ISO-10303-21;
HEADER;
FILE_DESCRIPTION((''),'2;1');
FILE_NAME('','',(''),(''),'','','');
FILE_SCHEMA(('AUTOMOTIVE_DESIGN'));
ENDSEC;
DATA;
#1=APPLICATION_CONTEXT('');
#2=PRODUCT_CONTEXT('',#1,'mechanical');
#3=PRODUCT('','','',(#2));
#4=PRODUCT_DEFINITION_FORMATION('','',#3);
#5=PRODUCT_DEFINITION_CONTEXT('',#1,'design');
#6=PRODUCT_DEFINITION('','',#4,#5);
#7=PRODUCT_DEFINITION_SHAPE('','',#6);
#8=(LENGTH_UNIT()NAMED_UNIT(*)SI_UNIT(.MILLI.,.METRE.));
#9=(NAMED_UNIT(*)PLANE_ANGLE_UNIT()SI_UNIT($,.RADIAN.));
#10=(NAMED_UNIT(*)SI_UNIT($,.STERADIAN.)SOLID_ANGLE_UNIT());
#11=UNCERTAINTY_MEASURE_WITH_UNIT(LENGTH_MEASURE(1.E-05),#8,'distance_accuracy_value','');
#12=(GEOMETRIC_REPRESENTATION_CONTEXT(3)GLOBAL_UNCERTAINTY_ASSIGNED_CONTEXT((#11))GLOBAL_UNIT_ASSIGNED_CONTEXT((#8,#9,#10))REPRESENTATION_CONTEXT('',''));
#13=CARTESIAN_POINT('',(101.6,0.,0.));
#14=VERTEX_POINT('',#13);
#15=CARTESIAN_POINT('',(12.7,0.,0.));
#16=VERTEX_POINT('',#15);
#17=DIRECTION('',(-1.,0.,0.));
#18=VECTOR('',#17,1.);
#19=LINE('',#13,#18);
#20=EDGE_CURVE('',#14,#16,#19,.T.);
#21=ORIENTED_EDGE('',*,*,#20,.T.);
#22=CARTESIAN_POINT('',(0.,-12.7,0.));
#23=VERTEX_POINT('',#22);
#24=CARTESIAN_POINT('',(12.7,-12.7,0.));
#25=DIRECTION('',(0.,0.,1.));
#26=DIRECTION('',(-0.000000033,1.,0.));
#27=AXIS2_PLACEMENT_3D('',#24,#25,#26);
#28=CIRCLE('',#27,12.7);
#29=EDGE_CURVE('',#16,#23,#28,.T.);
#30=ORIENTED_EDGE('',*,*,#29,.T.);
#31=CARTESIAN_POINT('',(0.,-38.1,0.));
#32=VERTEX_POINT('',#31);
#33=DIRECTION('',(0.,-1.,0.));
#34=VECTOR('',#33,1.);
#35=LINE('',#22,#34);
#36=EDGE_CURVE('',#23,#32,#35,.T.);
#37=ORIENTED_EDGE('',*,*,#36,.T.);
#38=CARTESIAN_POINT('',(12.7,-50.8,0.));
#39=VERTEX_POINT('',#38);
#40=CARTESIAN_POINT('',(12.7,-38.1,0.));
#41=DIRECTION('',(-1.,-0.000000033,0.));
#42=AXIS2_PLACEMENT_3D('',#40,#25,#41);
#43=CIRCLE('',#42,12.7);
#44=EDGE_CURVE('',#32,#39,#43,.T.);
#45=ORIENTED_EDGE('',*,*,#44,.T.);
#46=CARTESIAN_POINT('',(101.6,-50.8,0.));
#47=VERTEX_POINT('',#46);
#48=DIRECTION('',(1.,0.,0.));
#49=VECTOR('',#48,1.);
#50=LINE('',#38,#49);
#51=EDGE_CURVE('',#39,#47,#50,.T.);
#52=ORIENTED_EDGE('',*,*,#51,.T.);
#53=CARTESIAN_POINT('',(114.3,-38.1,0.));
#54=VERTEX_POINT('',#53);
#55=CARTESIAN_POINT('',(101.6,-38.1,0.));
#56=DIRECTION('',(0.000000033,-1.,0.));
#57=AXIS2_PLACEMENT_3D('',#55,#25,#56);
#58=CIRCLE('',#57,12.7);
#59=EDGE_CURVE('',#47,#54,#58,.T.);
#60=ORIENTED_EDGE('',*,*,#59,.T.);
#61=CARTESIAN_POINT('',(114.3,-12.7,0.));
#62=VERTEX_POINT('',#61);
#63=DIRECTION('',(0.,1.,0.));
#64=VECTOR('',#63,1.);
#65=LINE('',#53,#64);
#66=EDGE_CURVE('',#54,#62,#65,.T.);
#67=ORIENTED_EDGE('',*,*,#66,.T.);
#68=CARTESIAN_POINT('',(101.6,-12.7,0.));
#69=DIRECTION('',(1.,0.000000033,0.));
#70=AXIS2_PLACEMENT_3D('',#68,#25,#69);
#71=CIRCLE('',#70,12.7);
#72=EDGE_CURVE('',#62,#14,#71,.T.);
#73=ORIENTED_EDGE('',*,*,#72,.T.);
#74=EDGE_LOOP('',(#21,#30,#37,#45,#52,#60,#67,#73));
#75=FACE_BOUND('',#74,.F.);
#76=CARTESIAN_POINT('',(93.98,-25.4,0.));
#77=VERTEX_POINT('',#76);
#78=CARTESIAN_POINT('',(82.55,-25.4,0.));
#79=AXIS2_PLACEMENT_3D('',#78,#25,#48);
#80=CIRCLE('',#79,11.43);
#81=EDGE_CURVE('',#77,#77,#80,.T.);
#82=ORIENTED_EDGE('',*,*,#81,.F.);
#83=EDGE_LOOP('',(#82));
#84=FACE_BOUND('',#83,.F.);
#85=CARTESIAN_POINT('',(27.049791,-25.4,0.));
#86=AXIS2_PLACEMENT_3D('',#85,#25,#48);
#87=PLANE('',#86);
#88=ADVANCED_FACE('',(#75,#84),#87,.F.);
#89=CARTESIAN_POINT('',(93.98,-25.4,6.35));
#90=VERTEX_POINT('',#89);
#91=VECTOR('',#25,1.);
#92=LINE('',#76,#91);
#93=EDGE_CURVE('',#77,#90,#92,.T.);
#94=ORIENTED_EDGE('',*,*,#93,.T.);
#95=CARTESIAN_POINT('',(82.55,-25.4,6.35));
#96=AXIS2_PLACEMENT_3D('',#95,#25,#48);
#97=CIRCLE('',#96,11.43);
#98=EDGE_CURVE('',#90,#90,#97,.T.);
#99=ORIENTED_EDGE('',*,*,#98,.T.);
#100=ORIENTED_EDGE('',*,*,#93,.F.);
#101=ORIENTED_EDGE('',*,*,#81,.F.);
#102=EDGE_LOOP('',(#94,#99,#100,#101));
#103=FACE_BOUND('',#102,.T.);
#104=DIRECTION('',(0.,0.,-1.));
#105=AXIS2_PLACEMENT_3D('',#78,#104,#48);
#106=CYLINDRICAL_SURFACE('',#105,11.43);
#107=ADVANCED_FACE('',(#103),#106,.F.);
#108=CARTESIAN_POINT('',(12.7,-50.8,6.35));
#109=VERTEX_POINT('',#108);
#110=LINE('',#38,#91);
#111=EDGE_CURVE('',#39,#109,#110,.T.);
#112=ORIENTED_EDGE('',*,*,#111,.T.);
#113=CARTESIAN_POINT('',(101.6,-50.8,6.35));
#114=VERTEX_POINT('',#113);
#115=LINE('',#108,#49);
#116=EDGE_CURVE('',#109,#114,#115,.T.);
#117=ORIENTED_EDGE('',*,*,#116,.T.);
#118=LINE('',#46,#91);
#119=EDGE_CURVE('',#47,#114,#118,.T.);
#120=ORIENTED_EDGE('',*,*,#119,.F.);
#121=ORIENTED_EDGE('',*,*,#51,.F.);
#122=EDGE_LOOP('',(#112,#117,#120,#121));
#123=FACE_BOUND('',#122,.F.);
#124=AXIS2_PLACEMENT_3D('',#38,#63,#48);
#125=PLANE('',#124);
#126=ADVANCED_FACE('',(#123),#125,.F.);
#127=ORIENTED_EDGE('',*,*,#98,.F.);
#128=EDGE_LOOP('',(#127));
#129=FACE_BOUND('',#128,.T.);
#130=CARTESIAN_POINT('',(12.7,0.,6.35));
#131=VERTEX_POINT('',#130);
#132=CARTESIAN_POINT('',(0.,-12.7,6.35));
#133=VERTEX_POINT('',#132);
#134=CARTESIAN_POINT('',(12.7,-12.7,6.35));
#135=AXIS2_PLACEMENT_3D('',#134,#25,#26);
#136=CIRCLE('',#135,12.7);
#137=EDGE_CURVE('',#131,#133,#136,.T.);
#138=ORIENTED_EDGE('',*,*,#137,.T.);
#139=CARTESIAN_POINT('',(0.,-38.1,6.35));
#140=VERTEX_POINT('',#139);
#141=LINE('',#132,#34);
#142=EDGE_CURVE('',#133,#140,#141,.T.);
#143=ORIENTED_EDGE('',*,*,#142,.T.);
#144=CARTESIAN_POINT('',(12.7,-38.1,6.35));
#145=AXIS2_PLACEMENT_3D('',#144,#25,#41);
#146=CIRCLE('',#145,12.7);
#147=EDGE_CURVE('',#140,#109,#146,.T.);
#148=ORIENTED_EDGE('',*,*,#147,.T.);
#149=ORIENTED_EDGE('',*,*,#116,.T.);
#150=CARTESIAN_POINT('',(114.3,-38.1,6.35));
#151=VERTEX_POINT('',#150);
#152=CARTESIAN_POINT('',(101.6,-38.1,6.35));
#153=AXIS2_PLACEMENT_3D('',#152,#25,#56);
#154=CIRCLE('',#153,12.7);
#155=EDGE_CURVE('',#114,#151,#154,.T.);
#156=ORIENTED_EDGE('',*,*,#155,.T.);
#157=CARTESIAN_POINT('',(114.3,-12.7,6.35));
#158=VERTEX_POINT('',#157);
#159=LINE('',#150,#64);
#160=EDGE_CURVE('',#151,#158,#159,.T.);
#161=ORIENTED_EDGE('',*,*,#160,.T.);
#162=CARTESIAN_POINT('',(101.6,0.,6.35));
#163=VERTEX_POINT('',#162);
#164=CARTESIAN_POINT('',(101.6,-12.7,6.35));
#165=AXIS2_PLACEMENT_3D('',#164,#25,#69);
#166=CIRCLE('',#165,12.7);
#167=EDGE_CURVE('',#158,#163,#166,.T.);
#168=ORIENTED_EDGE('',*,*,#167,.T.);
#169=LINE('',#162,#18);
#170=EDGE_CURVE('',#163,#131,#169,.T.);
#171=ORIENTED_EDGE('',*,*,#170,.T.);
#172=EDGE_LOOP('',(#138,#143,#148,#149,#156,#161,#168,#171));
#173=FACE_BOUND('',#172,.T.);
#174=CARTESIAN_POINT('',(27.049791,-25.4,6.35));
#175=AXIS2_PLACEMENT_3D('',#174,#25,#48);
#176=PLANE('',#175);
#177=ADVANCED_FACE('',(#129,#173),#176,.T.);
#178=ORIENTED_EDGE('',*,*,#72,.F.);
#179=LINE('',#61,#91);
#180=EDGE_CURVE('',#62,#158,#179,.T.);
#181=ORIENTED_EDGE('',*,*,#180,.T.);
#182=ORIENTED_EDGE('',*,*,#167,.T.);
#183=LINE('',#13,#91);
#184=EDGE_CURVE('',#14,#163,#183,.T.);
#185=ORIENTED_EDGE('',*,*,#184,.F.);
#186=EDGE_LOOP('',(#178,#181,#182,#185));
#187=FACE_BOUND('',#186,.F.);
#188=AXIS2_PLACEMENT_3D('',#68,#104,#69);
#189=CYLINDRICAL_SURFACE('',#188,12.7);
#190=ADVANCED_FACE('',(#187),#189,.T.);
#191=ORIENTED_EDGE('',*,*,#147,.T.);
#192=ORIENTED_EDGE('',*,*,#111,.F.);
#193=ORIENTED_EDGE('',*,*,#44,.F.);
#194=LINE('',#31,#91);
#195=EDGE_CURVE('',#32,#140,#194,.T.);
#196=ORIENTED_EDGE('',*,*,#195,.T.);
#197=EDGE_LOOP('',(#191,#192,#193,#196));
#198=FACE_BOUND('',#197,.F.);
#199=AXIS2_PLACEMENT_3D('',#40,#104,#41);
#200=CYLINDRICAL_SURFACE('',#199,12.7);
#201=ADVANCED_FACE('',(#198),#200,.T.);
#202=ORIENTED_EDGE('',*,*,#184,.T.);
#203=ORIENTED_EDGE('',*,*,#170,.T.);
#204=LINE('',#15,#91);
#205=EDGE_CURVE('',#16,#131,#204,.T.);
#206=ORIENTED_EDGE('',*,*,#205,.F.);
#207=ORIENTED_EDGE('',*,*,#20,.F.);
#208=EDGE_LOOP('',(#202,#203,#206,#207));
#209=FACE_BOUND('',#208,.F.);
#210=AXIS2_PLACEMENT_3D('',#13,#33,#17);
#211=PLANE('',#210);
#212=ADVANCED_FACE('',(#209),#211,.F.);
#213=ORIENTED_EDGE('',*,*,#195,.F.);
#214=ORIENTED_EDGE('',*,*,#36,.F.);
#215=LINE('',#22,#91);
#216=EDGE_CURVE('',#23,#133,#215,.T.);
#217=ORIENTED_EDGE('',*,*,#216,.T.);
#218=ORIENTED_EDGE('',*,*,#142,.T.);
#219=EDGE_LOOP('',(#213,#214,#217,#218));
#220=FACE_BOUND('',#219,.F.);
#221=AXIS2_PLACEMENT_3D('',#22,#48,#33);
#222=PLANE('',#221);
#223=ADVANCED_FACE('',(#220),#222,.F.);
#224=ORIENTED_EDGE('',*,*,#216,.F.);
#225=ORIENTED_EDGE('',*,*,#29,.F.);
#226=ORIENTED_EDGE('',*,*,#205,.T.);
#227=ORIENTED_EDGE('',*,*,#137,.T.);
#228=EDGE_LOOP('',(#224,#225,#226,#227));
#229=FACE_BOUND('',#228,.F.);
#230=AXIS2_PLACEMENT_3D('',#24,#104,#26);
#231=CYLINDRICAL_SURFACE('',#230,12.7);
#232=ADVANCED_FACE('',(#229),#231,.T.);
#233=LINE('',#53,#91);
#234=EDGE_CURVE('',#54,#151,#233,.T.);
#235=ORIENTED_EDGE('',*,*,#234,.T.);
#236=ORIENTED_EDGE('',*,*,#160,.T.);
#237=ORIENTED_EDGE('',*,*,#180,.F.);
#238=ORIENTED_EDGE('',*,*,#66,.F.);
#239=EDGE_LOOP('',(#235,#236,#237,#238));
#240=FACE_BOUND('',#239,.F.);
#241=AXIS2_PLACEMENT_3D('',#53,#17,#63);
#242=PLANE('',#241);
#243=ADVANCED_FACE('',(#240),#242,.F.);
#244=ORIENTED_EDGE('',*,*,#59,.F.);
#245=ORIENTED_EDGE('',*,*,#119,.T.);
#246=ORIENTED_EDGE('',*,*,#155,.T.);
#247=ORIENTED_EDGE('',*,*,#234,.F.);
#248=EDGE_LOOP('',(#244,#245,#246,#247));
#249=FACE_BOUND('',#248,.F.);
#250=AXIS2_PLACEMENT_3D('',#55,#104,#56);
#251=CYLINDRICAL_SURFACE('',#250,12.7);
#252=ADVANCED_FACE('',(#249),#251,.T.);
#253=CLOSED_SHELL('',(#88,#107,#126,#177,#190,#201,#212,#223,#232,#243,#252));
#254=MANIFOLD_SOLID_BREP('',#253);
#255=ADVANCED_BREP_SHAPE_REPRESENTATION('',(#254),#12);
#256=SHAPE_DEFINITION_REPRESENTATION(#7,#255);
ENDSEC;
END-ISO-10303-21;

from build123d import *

# Parameters (mm, degrees)
F0_R     = 11.43
F1_DEPTH = 6.35


with BuildPart() as f1:
    # F0 (on Top) → F1 (new body)
    with BuildSketch(Plane.XY):
        with BuildLine():
            Line((50.8, 0), (12.7, 0))
            ThreePointArc((12.7, 0), (3.719744, -3.719744), (0, -12.7))
            Line((0, -12.7), (0, -38.1))
            ThreePointArc((0, -38.1), (3.719744, -47.080256), (12.7, -50.8))
            Line((12.7, -50.8), (50.8, -50.8))
            Line((50.8, -50.8), (50.8, 0))
        make_face()
        with BuildLine():
            Line((101.6, 0), (50.8, 0))
            Line((50.8, 0), (50.8, -50.8))
            Line((50.8, -50.8), (101.6, -50.8))
            ThreePointArc((101.6, -50.8), (110.580256, -47.080256), (114.3, -38.1))
            Line((114.3, -38.1), (114.3, -12.7))
            ThreePointArc((114.3, -12.7), (110.580256, -3.719744), (101.6, 0))
        make_face()
        with Locations((82.55, -25.4)):
            Circle(F0_R, mode=Mode.SUBTRACT)
    extrude(amount=F1_DEPTH)


solid = f1.part
